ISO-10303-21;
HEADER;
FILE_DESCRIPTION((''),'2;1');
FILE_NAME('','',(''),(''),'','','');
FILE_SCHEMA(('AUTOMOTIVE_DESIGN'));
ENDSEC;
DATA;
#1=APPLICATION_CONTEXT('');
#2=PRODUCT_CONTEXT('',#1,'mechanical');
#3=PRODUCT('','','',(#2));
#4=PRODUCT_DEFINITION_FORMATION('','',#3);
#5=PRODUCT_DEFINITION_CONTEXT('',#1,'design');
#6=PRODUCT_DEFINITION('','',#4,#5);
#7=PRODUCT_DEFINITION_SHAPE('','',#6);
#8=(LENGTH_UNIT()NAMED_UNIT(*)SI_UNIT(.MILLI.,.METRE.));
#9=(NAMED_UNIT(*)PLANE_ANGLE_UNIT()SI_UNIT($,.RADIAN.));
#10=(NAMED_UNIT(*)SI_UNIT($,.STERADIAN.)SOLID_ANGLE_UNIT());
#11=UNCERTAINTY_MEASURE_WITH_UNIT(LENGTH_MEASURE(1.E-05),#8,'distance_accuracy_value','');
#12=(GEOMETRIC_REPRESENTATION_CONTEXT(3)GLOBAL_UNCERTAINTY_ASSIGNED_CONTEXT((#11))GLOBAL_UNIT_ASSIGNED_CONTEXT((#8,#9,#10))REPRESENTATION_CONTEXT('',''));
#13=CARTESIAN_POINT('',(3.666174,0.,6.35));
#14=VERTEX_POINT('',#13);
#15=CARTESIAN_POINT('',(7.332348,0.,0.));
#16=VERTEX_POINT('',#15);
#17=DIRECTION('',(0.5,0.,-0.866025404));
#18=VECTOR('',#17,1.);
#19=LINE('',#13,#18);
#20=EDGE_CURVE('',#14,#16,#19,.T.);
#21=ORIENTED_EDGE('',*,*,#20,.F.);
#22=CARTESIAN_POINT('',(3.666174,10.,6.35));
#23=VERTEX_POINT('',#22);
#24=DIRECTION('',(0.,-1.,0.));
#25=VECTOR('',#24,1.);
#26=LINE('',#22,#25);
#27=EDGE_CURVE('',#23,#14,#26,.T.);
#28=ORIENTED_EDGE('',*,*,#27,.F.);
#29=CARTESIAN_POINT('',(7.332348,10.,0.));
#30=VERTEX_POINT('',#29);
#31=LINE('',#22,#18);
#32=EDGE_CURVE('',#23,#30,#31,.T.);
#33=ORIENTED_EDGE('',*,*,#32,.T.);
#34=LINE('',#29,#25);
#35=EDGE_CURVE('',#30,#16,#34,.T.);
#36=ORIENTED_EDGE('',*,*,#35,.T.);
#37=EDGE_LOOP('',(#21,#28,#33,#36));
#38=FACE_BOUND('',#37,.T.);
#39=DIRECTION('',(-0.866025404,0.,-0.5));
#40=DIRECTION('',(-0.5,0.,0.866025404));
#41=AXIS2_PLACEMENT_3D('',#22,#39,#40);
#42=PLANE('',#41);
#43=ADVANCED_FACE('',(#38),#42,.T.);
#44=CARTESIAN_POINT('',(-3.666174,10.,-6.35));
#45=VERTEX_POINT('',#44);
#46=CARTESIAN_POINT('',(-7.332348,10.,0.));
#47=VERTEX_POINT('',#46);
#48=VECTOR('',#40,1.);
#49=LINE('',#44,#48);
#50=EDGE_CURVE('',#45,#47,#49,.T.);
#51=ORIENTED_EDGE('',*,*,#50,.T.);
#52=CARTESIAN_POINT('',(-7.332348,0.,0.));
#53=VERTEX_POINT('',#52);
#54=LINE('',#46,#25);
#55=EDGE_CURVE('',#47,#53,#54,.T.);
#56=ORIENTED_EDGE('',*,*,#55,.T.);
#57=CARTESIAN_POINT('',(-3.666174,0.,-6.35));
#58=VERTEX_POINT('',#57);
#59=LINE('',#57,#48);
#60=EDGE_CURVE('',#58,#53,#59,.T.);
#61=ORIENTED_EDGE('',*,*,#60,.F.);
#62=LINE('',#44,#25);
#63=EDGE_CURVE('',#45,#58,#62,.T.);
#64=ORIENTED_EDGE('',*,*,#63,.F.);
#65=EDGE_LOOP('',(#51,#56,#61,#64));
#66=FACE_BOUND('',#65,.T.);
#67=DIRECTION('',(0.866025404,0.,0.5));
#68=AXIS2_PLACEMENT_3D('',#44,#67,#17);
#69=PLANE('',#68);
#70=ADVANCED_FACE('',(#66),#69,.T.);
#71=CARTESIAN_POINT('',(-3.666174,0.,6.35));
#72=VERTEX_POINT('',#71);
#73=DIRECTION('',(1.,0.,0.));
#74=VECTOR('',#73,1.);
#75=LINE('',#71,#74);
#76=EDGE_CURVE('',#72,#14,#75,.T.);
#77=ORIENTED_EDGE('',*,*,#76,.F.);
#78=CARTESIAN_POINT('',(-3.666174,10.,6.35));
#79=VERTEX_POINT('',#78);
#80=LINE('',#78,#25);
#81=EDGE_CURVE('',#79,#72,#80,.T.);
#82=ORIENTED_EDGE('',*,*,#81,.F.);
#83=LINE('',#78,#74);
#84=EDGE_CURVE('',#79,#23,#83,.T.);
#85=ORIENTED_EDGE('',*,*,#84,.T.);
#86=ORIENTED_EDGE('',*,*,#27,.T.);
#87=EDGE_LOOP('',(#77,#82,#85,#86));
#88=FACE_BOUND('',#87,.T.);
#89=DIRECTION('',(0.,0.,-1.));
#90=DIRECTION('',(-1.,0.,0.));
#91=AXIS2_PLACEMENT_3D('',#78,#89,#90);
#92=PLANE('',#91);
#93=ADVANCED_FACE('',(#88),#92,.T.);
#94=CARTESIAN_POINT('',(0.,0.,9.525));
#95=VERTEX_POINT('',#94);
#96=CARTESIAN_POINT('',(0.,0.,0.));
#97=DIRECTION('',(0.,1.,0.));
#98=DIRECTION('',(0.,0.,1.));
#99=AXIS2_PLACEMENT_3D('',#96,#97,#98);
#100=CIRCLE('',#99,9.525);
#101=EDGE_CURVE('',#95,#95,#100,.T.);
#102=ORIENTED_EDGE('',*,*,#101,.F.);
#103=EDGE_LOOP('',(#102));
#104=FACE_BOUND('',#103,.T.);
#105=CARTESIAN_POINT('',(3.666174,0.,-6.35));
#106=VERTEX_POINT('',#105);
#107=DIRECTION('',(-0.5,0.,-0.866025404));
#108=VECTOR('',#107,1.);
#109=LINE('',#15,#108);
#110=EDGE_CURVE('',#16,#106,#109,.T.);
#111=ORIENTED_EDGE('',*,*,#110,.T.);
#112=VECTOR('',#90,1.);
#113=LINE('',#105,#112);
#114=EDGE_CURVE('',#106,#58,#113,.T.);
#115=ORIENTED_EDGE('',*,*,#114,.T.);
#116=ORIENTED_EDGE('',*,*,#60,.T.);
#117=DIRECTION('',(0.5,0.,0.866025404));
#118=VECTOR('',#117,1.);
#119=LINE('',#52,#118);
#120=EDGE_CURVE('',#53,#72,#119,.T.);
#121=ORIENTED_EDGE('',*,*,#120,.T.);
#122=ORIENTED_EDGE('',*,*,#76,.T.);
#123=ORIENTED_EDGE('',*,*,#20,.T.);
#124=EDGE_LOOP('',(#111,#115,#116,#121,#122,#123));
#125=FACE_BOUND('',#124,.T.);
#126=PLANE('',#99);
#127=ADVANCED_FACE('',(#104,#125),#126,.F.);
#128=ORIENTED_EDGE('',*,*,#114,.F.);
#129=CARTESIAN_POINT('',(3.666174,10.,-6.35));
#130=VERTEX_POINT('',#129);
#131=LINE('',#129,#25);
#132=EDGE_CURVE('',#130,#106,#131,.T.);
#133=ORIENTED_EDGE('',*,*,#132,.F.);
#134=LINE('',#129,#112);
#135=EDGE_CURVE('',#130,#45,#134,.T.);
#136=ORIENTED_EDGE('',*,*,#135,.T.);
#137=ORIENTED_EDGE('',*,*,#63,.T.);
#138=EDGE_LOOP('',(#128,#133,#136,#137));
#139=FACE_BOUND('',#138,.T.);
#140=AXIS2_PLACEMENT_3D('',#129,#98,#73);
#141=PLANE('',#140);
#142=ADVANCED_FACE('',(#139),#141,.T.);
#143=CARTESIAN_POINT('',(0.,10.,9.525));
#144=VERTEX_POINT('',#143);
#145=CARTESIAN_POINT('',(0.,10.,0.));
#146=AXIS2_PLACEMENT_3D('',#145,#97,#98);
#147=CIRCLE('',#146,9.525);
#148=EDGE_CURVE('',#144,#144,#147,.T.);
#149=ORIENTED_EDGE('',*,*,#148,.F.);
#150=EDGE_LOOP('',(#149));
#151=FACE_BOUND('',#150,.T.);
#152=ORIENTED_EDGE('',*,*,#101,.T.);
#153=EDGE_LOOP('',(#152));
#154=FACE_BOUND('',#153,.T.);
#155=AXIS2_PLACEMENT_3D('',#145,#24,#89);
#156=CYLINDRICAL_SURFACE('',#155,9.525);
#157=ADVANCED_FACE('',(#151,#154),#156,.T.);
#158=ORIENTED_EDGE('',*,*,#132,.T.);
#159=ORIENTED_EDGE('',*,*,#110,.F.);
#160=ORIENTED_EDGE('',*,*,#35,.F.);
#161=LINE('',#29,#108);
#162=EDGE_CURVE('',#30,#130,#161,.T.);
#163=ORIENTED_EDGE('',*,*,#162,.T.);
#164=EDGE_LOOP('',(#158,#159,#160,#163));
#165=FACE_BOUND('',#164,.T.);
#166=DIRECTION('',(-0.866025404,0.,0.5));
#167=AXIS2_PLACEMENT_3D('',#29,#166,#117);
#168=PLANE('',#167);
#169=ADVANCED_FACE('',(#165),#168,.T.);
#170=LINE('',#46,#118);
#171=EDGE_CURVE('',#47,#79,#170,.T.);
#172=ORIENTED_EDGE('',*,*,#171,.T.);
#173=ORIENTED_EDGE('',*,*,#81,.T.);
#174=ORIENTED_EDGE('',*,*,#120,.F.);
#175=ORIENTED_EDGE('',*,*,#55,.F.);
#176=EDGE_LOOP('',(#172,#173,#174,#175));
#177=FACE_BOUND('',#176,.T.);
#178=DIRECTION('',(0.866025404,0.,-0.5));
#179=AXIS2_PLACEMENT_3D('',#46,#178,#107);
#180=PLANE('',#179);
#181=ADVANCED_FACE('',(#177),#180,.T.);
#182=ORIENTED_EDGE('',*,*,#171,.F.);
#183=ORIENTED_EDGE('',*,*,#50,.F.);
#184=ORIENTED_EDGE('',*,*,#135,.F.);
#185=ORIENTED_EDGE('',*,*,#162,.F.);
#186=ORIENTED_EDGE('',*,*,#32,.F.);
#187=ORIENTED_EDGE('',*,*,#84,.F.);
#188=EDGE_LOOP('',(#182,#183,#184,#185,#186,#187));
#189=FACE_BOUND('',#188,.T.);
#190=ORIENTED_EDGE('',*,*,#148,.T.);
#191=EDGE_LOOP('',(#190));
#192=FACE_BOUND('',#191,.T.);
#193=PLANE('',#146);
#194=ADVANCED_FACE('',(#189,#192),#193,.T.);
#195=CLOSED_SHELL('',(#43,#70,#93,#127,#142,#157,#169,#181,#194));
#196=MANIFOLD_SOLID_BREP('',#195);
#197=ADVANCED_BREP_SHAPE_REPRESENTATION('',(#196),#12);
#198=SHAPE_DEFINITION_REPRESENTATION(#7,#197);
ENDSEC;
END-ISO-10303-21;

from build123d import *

# Parameters (mm, degrees)
CROQUIS1_R              = 9.525
SALIENTE_EXTRUIR1_DEPTH = 10


with BuildPart() as part:
    # Croquis1 → Saliente-Extruir1 (new body)
    with BuildSketch(Plane(origin=(0, 0, 0), x_dir=(1, 0, 0), z_dir=(0, 1, 0))):
        with Locations(Location((0, 0, 0), (0, 0, 270))):
            Circle(CROQUIS1_R)
        Polygon((7.332348419, 0), (3.666174209, 6.35), (-3.666174209, 6.35), (-7.332348419, 0), (-3.666174209, -6.35), (3.666174209, -6.35), align=None, mode=Mode.SUBTRACT)
    extrude(amount=SALIENTE_EXTRUIR1_DEPTH)


solid = part.part
